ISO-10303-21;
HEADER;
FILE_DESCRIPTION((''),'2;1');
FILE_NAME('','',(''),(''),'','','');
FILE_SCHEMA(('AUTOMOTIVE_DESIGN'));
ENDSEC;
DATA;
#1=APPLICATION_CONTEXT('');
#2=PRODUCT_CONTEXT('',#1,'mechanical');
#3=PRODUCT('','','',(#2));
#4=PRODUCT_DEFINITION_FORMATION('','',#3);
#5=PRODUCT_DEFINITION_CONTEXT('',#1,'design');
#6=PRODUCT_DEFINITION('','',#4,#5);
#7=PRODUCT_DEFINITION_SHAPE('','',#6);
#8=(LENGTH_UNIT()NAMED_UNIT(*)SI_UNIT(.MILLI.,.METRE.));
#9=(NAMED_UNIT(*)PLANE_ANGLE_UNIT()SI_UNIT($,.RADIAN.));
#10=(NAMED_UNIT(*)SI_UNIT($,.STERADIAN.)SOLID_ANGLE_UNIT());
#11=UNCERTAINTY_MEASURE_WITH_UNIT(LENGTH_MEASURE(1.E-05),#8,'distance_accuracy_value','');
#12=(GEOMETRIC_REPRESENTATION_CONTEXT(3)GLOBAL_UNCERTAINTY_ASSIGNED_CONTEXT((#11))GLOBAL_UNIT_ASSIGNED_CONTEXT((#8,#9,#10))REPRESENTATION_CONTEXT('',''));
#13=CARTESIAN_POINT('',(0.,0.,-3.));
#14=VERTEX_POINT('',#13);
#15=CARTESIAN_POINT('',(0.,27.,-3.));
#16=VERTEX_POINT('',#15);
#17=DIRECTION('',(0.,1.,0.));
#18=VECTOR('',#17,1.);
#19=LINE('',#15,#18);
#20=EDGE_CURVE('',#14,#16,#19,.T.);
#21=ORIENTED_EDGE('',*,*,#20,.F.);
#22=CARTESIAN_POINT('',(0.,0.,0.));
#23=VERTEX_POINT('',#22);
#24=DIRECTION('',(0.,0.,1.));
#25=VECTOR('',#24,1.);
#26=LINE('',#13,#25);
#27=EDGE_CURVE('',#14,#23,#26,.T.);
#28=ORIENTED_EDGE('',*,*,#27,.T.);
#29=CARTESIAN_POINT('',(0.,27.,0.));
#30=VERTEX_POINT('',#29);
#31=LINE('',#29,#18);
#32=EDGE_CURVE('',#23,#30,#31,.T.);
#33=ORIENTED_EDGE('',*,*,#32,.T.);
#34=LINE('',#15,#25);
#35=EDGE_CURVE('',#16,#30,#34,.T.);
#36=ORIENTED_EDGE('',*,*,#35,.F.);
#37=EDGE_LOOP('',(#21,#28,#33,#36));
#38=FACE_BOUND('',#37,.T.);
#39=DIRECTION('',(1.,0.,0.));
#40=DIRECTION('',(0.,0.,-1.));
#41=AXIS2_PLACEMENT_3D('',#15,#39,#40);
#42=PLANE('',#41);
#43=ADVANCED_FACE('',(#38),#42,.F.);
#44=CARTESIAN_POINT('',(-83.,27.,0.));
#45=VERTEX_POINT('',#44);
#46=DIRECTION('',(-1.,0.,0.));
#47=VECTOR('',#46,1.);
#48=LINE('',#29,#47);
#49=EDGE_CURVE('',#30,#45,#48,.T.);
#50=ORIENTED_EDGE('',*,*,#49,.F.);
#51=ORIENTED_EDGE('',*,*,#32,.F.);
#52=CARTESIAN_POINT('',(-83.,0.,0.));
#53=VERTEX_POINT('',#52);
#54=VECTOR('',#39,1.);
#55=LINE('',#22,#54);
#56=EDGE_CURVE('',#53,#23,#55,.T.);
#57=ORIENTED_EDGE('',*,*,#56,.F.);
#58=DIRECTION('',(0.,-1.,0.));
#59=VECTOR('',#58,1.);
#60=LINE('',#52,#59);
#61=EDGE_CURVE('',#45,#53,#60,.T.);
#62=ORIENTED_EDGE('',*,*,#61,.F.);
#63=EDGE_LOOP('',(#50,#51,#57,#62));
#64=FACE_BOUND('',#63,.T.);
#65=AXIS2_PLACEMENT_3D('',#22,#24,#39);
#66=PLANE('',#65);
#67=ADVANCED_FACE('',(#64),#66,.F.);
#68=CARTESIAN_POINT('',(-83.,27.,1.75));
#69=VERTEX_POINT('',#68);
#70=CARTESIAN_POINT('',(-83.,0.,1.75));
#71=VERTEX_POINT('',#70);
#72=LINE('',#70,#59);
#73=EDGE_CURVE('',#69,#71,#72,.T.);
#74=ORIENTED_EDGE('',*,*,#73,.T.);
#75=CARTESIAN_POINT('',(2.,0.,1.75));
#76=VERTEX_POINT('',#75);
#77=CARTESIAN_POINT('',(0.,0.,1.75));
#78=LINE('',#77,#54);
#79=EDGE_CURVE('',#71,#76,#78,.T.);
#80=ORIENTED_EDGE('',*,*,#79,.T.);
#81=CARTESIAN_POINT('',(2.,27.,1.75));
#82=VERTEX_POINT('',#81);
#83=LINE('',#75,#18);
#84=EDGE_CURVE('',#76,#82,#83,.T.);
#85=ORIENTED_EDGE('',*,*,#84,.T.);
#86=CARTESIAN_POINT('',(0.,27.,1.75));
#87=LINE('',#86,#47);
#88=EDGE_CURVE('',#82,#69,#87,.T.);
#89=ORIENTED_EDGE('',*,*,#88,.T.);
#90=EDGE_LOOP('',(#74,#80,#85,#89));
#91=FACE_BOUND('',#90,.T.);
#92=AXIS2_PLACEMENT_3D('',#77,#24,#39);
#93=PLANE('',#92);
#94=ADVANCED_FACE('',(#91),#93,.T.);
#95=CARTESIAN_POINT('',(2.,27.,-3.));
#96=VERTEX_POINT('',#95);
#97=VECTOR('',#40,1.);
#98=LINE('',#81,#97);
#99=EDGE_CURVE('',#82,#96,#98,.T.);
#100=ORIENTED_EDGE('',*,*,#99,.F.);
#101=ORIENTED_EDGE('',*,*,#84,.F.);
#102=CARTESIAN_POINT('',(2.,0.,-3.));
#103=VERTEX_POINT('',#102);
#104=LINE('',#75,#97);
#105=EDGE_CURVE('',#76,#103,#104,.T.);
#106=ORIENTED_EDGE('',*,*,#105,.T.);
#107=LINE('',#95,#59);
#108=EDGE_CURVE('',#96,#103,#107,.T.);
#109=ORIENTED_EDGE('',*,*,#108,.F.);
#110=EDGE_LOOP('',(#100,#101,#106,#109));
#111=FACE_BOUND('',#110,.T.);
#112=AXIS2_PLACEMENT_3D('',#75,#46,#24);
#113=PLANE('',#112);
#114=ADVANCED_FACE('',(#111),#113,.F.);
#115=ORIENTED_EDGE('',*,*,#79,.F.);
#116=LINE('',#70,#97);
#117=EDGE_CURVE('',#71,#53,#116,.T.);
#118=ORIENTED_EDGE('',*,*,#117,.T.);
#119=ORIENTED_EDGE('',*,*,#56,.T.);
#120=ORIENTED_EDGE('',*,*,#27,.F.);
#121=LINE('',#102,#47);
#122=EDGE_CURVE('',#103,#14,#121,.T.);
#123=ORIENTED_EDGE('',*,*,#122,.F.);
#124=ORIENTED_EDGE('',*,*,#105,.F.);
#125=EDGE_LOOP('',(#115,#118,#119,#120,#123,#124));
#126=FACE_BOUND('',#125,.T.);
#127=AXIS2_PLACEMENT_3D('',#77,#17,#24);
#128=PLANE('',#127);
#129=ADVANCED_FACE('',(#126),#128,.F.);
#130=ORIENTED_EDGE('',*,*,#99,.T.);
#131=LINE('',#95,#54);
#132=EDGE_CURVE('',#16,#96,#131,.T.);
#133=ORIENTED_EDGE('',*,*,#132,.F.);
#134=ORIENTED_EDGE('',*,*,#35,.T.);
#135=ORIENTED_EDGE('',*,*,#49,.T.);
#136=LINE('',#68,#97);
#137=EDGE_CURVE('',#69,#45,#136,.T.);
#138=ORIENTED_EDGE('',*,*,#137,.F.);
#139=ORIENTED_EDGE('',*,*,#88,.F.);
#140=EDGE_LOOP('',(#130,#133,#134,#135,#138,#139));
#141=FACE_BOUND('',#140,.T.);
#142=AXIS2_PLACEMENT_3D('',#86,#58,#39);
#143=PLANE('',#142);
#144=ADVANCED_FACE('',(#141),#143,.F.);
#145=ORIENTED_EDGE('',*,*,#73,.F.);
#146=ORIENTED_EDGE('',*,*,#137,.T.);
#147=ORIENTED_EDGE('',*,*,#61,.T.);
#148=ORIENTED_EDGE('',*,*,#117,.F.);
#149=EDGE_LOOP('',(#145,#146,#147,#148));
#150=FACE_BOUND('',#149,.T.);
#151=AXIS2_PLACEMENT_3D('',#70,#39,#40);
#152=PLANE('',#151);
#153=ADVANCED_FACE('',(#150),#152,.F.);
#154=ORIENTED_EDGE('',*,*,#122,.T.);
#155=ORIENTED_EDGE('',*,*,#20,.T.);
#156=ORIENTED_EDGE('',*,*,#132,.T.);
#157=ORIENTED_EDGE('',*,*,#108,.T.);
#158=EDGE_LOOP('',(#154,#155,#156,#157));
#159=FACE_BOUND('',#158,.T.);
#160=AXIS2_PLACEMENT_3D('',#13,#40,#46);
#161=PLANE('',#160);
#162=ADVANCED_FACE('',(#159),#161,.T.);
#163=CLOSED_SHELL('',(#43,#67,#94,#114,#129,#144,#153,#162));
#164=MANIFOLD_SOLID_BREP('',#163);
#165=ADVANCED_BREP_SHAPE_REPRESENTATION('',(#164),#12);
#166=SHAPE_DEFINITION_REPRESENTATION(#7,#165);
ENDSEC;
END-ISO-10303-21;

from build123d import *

# Parameters (mm, degrees)
ESQUISSE1_W          = 83
ESQUISSE1_H          = 27
BOSS_EXTRU_1_DEPTH   = 1.75
D_PLACER_LA_FACE1_BY = 2
ESQUISSE3_W          = 2
ESQUISSE3_H          = 27
BOSS_EXTRU_3_DEPTH   = 3


with BuildPart() as part:
    # Esquisse1 → Boss.-Extru.1 (new body)
    with BuildSketch(Plane.XY):
        with Locations((-41.5, 13.5)):
            Rectangle(ESQUISSE1_W, ESQUISSE1_H)
    extrude(amount=BOSS_EXTRU_1_DEPTH)

    # Déplacer la face1: a face moved outward by 2.0
    extrude(part.faces().sort_by_distance((0, 13.5, 0.875))[0], amount=D_PLACER_LA_FACE1_BY, dir=(1, 0, 0))

    # Esquisse3 → Boss.-Extru.3 (add)
    with BuildSketch(Plane(origin=(0, 0, 0), x_dir=(-1, 0, 0), z_dir=(0, 0, -1))):
        with Locations((-1, 13.5)):
            Rectangle(ESQUISSE3_W, ESQUISSE3_H)
    extrude(amount=BOSS_EXTRU_3_DEPTH)


solid = part.part
